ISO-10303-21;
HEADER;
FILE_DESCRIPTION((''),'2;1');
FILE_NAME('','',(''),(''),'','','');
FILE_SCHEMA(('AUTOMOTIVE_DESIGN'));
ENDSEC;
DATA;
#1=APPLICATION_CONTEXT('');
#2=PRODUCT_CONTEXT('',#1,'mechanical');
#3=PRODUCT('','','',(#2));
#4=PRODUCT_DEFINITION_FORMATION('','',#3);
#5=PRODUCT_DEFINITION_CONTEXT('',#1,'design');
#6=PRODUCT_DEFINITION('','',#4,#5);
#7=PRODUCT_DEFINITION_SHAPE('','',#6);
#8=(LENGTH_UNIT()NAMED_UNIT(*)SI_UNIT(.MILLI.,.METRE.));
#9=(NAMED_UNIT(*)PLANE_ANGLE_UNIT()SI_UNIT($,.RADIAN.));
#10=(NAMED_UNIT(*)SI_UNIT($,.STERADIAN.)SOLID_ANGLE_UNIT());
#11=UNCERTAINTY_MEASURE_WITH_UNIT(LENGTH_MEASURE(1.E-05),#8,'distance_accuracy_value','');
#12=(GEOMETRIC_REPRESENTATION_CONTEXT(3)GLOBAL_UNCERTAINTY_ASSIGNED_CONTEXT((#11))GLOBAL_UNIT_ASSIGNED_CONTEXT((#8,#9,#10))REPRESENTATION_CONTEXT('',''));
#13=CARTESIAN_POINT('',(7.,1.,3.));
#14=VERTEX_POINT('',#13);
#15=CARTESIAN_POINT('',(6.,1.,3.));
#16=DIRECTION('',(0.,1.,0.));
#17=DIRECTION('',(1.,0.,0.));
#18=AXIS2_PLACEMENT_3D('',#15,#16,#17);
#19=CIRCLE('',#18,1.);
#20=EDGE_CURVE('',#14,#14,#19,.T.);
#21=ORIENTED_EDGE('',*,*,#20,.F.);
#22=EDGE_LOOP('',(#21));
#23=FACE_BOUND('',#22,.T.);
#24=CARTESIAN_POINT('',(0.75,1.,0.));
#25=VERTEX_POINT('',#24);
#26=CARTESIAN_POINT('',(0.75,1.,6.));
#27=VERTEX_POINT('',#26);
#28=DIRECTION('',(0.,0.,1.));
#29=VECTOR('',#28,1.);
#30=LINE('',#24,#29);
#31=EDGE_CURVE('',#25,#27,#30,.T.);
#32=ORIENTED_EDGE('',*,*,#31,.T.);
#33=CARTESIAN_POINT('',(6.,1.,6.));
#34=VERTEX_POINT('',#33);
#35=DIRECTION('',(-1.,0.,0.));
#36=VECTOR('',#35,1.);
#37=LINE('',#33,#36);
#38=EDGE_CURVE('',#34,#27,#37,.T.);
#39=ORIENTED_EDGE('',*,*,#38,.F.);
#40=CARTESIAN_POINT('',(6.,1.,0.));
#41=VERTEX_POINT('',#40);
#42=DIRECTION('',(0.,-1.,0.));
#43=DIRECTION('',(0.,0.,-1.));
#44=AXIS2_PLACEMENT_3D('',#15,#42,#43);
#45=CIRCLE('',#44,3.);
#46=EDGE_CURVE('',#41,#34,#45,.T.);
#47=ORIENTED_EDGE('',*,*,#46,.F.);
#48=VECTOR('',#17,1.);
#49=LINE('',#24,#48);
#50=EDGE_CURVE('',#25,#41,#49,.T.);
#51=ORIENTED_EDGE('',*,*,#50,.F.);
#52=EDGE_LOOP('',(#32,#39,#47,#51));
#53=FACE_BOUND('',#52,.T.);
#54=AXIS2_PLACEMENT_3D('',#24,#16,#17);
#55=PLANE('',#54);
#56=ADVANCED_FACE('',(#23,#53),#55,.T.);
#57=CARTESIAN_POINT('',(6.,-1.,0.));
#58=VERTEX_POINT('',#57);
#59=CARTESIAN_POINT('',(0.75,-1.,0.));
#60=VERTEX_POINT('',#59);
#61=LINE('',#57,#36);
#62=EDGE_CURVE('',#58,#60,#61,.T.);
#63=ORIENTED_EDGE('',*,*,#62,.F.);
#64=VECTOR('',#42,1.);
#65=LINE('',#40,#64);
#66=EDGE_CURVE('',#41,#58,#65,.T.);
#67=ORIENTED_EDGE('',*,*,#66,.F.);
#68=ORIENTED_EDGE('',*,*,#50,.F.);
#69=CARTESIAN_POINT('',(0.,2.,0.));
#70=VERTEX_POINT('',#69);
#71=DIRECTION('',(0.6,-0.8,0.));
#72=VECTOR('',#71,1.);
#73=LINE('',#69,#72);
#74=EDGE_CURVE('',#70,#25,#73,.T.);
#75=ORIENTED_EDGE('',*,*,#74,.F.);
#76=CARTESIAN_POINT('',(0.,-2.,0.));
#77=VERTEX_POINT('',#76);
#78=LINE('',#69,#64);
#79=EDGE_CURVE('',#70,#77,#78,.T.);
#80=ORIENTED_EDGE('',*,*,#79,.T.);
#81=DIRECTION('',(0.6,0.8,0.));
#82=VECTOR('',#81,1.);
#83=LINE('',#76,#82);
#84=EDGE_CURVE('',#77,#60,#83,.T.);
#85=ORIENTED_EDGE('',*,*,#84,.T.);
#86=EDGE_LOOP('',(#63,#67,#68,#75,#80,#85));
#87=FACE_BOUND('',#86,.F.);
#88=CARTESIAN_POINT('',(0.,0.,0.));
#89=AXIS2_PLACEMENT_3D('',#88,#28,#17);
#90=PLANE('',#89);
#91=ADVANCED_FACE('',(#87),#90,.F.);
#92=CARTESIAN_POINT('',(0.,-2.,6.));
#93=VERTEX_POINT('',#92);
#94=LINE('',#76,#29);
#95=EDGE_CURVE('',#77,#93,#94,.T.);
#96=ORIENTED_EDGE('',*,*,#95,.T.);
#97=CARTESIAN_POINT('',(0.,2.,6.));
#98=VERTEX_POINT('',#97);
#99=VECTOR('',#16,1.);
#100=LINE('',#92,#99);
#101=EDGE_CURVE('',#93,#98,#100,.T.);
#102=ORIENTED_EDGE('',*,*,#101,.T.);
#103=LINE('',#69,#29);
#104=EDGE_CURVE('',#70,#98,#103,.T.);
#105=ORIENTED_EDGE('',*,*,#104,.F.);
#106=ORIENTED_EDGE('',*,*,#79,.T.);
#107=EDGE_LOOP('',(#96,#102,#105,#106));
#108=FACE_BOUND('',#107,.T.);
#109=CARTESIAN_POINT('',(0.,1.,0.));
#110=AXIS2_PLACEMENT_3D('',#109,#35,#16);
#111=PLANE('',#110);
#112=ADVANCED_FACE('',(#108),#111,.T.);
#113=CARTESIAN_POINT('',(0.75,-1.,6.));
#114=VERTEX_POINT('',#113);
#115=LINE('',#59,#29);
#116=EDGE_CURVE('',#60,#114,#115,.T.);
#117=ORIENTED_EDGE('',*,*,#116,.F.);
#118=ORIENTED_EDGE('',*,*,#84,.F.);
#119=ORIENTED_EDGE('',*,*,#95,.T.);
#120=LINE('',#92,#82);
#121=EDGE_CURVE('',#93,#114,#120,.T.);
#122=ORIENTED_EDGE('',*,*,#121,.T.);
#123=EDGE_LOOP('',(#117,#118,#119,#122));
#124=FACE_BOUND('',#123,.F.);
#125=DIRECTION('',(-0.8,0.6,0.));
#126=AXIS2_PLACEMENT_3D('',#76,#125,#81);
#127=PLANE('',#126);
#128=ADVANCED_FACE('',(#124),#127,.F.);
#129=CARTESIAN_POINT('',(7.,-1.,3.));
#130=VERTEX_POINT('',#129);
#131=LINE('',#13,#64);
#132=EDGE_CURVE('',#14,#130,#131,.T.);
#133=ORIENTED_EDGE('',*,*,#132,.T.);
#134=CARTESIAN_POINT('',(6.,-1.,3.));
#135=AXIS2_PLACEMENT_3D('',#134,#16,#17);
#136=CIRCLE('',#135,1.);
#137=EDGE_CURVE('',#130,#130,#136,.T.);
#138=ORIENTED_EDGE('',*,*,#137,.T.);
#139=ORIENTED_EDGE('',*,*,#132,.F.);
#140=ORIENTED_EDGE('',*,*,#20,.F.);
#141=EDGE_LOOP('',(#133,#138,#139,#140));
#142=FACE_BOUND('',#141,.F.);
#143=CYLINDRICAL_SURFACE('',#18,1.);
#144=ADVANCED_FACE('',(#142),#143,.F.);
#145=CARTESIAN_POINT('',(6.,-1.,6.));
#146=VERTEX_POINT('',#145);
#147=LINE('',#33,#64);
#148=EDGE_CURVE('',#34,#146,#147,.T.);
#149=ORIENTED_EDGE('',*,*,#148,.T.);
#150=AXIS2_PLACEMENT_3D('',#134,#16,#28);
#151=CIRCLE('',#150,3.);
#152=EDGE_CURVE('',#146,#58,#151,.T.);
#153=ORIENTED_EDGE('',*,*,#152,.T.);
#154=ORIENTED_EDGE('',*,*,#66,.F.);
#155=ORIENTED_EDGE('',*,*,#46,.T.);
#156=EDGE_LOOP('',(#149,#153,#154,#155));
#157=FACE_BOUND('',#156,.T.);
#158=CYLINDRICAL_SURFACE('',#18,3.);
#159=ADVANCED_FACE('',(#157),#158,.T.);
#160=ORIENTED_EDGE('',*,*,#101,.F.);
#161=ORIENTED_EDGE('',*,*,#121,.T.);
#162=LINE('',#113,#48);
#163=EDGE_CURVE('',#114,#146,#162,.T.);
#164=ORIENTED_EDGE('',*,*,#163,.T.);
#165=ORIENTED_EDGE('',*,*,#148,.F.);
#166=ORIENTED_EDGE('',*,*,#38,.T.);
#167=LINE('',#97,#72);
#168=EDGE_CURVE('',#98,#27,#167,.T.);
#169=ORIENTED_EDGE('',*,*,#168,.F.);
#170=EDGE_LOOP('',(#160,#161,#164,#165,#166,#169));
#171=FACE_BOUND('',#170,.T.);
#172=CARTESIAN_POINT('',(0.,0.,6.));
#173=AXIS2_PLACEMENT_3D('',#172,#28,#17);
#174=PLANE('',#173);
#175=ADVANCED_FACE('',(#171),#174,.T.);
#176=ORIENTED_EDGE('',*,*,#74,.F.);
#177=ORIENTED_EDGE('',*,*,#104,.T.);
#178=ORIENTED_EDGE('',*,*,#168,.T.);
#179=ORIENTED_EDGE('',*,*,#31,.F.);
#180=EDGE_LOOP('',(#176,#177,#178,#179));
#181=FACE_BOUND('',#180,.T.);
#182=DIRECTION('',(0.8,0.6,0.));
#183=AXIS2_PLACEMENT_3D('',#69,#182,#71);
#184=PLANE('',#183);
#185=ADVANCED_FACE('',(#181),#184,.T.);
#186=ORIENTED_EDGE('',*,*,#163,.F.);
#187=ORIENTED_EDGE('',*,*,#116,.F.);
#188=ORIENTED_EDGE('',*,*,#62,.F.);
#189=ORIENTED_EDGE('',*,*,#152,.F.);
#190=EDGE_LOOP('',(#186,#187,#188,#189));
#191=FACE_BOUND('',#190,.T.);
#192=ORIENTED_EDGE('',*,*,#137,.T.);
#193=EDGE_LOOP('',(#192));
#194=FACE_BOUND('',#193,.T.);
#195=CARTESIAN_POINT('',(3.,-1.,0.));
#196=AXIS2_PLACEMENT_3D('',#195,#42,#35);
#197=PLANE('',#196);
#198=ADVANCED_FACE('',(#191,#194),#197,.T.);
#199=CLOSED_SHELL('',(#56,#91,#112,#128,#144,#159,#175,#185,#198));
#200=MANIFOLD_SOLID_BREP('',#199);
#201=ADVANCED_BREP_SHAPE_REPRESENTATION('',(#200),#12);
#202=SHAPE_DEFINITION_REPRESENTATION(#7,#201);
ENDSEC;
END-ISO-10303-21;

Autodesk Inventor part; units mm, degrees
ref_plane "YZ Plane" through (0, 0, 0) normal (1, 0, 0) x (0, 1, 0)
ref_plane "XZ Plane" through (0, 0, 0) normal (0, 1, 0) x (-1, 0, 0)
ref_plane "XY Plane" through (0, 0, 0) normal (0, 0, 1) x (1, 0, 0)
sketch "Sketch1" plane through (0, 0, 0) normal (0, 0, 1) x (1, 0, 0)
  line L0 (-3, 3) -> (3, -3) construction
  line L1 (3, 3) -> (-3, -3) construction
  line L2 (0, 1) -> (3, 1)
  line L3 (3, 1) -> (3, -1)
  line L4 (3, -1) -> (0, -1)
  line L5 (0, -1) -> (0, 1)
  line L6 (0, 1) -> (3, -1) construction
  line L7 (3, 1) -> (0, -1) construction
  line L8 (0, 1) -> (0, 2)
  line L9 (0, 2) -> (1.5, 0)
  line L10 (0, -1) -> (0, -2)
  line L11 (0, -2) -> (1.5, 0)
  point P0 (0, 0)
  point P1 (0, 0)
  point P2 (0.75, 1)
  point P3 (0.75, -1)
  dimension "d0" = 6
  dimension "d1" = 2
  dimension "d2" = 3
  dimension "d3" = 1
extrude "Extrusion1" add sketch "Sketch1" along normal blind 6
sketch "Sketch2" plane through (3, -1, 0) normal (1, 0, 0) x (0, 0, -1)
  point P0 (0, 1)
sketch "Sketch3" plane through (0.75, 1, 0) normal (0, 1, 0) x (1, 0, 0)
  circle A0 centre (5.25, -3) radius 3
  line L0 (2.25, 0) -> (2.25, -6) projected
  line L1 (2.25, 0) -> (2.25, -6) projected
  line L2 (2.25, -6) -> (0, -6) projected
  line L3 (5.25, -6) -> (2.25, -6)
  line L4 (5.25, 0) -> (2.25, 0)
  line L5 (2.25, -6) -> (2.25, 0)
  circle A1 centre (5.25, -3) radius 1
  point P0 (-0.75, 0)
  point P1 (2.25, -3)
  point P2 (2.25, -3)
  dimension "d6" = 6
  dimension "d7" = 2
extrude "Extrusion2" add sketch "Sketch3" against normal up to surface (2 mm away)
properties part number "LinearSlider"
